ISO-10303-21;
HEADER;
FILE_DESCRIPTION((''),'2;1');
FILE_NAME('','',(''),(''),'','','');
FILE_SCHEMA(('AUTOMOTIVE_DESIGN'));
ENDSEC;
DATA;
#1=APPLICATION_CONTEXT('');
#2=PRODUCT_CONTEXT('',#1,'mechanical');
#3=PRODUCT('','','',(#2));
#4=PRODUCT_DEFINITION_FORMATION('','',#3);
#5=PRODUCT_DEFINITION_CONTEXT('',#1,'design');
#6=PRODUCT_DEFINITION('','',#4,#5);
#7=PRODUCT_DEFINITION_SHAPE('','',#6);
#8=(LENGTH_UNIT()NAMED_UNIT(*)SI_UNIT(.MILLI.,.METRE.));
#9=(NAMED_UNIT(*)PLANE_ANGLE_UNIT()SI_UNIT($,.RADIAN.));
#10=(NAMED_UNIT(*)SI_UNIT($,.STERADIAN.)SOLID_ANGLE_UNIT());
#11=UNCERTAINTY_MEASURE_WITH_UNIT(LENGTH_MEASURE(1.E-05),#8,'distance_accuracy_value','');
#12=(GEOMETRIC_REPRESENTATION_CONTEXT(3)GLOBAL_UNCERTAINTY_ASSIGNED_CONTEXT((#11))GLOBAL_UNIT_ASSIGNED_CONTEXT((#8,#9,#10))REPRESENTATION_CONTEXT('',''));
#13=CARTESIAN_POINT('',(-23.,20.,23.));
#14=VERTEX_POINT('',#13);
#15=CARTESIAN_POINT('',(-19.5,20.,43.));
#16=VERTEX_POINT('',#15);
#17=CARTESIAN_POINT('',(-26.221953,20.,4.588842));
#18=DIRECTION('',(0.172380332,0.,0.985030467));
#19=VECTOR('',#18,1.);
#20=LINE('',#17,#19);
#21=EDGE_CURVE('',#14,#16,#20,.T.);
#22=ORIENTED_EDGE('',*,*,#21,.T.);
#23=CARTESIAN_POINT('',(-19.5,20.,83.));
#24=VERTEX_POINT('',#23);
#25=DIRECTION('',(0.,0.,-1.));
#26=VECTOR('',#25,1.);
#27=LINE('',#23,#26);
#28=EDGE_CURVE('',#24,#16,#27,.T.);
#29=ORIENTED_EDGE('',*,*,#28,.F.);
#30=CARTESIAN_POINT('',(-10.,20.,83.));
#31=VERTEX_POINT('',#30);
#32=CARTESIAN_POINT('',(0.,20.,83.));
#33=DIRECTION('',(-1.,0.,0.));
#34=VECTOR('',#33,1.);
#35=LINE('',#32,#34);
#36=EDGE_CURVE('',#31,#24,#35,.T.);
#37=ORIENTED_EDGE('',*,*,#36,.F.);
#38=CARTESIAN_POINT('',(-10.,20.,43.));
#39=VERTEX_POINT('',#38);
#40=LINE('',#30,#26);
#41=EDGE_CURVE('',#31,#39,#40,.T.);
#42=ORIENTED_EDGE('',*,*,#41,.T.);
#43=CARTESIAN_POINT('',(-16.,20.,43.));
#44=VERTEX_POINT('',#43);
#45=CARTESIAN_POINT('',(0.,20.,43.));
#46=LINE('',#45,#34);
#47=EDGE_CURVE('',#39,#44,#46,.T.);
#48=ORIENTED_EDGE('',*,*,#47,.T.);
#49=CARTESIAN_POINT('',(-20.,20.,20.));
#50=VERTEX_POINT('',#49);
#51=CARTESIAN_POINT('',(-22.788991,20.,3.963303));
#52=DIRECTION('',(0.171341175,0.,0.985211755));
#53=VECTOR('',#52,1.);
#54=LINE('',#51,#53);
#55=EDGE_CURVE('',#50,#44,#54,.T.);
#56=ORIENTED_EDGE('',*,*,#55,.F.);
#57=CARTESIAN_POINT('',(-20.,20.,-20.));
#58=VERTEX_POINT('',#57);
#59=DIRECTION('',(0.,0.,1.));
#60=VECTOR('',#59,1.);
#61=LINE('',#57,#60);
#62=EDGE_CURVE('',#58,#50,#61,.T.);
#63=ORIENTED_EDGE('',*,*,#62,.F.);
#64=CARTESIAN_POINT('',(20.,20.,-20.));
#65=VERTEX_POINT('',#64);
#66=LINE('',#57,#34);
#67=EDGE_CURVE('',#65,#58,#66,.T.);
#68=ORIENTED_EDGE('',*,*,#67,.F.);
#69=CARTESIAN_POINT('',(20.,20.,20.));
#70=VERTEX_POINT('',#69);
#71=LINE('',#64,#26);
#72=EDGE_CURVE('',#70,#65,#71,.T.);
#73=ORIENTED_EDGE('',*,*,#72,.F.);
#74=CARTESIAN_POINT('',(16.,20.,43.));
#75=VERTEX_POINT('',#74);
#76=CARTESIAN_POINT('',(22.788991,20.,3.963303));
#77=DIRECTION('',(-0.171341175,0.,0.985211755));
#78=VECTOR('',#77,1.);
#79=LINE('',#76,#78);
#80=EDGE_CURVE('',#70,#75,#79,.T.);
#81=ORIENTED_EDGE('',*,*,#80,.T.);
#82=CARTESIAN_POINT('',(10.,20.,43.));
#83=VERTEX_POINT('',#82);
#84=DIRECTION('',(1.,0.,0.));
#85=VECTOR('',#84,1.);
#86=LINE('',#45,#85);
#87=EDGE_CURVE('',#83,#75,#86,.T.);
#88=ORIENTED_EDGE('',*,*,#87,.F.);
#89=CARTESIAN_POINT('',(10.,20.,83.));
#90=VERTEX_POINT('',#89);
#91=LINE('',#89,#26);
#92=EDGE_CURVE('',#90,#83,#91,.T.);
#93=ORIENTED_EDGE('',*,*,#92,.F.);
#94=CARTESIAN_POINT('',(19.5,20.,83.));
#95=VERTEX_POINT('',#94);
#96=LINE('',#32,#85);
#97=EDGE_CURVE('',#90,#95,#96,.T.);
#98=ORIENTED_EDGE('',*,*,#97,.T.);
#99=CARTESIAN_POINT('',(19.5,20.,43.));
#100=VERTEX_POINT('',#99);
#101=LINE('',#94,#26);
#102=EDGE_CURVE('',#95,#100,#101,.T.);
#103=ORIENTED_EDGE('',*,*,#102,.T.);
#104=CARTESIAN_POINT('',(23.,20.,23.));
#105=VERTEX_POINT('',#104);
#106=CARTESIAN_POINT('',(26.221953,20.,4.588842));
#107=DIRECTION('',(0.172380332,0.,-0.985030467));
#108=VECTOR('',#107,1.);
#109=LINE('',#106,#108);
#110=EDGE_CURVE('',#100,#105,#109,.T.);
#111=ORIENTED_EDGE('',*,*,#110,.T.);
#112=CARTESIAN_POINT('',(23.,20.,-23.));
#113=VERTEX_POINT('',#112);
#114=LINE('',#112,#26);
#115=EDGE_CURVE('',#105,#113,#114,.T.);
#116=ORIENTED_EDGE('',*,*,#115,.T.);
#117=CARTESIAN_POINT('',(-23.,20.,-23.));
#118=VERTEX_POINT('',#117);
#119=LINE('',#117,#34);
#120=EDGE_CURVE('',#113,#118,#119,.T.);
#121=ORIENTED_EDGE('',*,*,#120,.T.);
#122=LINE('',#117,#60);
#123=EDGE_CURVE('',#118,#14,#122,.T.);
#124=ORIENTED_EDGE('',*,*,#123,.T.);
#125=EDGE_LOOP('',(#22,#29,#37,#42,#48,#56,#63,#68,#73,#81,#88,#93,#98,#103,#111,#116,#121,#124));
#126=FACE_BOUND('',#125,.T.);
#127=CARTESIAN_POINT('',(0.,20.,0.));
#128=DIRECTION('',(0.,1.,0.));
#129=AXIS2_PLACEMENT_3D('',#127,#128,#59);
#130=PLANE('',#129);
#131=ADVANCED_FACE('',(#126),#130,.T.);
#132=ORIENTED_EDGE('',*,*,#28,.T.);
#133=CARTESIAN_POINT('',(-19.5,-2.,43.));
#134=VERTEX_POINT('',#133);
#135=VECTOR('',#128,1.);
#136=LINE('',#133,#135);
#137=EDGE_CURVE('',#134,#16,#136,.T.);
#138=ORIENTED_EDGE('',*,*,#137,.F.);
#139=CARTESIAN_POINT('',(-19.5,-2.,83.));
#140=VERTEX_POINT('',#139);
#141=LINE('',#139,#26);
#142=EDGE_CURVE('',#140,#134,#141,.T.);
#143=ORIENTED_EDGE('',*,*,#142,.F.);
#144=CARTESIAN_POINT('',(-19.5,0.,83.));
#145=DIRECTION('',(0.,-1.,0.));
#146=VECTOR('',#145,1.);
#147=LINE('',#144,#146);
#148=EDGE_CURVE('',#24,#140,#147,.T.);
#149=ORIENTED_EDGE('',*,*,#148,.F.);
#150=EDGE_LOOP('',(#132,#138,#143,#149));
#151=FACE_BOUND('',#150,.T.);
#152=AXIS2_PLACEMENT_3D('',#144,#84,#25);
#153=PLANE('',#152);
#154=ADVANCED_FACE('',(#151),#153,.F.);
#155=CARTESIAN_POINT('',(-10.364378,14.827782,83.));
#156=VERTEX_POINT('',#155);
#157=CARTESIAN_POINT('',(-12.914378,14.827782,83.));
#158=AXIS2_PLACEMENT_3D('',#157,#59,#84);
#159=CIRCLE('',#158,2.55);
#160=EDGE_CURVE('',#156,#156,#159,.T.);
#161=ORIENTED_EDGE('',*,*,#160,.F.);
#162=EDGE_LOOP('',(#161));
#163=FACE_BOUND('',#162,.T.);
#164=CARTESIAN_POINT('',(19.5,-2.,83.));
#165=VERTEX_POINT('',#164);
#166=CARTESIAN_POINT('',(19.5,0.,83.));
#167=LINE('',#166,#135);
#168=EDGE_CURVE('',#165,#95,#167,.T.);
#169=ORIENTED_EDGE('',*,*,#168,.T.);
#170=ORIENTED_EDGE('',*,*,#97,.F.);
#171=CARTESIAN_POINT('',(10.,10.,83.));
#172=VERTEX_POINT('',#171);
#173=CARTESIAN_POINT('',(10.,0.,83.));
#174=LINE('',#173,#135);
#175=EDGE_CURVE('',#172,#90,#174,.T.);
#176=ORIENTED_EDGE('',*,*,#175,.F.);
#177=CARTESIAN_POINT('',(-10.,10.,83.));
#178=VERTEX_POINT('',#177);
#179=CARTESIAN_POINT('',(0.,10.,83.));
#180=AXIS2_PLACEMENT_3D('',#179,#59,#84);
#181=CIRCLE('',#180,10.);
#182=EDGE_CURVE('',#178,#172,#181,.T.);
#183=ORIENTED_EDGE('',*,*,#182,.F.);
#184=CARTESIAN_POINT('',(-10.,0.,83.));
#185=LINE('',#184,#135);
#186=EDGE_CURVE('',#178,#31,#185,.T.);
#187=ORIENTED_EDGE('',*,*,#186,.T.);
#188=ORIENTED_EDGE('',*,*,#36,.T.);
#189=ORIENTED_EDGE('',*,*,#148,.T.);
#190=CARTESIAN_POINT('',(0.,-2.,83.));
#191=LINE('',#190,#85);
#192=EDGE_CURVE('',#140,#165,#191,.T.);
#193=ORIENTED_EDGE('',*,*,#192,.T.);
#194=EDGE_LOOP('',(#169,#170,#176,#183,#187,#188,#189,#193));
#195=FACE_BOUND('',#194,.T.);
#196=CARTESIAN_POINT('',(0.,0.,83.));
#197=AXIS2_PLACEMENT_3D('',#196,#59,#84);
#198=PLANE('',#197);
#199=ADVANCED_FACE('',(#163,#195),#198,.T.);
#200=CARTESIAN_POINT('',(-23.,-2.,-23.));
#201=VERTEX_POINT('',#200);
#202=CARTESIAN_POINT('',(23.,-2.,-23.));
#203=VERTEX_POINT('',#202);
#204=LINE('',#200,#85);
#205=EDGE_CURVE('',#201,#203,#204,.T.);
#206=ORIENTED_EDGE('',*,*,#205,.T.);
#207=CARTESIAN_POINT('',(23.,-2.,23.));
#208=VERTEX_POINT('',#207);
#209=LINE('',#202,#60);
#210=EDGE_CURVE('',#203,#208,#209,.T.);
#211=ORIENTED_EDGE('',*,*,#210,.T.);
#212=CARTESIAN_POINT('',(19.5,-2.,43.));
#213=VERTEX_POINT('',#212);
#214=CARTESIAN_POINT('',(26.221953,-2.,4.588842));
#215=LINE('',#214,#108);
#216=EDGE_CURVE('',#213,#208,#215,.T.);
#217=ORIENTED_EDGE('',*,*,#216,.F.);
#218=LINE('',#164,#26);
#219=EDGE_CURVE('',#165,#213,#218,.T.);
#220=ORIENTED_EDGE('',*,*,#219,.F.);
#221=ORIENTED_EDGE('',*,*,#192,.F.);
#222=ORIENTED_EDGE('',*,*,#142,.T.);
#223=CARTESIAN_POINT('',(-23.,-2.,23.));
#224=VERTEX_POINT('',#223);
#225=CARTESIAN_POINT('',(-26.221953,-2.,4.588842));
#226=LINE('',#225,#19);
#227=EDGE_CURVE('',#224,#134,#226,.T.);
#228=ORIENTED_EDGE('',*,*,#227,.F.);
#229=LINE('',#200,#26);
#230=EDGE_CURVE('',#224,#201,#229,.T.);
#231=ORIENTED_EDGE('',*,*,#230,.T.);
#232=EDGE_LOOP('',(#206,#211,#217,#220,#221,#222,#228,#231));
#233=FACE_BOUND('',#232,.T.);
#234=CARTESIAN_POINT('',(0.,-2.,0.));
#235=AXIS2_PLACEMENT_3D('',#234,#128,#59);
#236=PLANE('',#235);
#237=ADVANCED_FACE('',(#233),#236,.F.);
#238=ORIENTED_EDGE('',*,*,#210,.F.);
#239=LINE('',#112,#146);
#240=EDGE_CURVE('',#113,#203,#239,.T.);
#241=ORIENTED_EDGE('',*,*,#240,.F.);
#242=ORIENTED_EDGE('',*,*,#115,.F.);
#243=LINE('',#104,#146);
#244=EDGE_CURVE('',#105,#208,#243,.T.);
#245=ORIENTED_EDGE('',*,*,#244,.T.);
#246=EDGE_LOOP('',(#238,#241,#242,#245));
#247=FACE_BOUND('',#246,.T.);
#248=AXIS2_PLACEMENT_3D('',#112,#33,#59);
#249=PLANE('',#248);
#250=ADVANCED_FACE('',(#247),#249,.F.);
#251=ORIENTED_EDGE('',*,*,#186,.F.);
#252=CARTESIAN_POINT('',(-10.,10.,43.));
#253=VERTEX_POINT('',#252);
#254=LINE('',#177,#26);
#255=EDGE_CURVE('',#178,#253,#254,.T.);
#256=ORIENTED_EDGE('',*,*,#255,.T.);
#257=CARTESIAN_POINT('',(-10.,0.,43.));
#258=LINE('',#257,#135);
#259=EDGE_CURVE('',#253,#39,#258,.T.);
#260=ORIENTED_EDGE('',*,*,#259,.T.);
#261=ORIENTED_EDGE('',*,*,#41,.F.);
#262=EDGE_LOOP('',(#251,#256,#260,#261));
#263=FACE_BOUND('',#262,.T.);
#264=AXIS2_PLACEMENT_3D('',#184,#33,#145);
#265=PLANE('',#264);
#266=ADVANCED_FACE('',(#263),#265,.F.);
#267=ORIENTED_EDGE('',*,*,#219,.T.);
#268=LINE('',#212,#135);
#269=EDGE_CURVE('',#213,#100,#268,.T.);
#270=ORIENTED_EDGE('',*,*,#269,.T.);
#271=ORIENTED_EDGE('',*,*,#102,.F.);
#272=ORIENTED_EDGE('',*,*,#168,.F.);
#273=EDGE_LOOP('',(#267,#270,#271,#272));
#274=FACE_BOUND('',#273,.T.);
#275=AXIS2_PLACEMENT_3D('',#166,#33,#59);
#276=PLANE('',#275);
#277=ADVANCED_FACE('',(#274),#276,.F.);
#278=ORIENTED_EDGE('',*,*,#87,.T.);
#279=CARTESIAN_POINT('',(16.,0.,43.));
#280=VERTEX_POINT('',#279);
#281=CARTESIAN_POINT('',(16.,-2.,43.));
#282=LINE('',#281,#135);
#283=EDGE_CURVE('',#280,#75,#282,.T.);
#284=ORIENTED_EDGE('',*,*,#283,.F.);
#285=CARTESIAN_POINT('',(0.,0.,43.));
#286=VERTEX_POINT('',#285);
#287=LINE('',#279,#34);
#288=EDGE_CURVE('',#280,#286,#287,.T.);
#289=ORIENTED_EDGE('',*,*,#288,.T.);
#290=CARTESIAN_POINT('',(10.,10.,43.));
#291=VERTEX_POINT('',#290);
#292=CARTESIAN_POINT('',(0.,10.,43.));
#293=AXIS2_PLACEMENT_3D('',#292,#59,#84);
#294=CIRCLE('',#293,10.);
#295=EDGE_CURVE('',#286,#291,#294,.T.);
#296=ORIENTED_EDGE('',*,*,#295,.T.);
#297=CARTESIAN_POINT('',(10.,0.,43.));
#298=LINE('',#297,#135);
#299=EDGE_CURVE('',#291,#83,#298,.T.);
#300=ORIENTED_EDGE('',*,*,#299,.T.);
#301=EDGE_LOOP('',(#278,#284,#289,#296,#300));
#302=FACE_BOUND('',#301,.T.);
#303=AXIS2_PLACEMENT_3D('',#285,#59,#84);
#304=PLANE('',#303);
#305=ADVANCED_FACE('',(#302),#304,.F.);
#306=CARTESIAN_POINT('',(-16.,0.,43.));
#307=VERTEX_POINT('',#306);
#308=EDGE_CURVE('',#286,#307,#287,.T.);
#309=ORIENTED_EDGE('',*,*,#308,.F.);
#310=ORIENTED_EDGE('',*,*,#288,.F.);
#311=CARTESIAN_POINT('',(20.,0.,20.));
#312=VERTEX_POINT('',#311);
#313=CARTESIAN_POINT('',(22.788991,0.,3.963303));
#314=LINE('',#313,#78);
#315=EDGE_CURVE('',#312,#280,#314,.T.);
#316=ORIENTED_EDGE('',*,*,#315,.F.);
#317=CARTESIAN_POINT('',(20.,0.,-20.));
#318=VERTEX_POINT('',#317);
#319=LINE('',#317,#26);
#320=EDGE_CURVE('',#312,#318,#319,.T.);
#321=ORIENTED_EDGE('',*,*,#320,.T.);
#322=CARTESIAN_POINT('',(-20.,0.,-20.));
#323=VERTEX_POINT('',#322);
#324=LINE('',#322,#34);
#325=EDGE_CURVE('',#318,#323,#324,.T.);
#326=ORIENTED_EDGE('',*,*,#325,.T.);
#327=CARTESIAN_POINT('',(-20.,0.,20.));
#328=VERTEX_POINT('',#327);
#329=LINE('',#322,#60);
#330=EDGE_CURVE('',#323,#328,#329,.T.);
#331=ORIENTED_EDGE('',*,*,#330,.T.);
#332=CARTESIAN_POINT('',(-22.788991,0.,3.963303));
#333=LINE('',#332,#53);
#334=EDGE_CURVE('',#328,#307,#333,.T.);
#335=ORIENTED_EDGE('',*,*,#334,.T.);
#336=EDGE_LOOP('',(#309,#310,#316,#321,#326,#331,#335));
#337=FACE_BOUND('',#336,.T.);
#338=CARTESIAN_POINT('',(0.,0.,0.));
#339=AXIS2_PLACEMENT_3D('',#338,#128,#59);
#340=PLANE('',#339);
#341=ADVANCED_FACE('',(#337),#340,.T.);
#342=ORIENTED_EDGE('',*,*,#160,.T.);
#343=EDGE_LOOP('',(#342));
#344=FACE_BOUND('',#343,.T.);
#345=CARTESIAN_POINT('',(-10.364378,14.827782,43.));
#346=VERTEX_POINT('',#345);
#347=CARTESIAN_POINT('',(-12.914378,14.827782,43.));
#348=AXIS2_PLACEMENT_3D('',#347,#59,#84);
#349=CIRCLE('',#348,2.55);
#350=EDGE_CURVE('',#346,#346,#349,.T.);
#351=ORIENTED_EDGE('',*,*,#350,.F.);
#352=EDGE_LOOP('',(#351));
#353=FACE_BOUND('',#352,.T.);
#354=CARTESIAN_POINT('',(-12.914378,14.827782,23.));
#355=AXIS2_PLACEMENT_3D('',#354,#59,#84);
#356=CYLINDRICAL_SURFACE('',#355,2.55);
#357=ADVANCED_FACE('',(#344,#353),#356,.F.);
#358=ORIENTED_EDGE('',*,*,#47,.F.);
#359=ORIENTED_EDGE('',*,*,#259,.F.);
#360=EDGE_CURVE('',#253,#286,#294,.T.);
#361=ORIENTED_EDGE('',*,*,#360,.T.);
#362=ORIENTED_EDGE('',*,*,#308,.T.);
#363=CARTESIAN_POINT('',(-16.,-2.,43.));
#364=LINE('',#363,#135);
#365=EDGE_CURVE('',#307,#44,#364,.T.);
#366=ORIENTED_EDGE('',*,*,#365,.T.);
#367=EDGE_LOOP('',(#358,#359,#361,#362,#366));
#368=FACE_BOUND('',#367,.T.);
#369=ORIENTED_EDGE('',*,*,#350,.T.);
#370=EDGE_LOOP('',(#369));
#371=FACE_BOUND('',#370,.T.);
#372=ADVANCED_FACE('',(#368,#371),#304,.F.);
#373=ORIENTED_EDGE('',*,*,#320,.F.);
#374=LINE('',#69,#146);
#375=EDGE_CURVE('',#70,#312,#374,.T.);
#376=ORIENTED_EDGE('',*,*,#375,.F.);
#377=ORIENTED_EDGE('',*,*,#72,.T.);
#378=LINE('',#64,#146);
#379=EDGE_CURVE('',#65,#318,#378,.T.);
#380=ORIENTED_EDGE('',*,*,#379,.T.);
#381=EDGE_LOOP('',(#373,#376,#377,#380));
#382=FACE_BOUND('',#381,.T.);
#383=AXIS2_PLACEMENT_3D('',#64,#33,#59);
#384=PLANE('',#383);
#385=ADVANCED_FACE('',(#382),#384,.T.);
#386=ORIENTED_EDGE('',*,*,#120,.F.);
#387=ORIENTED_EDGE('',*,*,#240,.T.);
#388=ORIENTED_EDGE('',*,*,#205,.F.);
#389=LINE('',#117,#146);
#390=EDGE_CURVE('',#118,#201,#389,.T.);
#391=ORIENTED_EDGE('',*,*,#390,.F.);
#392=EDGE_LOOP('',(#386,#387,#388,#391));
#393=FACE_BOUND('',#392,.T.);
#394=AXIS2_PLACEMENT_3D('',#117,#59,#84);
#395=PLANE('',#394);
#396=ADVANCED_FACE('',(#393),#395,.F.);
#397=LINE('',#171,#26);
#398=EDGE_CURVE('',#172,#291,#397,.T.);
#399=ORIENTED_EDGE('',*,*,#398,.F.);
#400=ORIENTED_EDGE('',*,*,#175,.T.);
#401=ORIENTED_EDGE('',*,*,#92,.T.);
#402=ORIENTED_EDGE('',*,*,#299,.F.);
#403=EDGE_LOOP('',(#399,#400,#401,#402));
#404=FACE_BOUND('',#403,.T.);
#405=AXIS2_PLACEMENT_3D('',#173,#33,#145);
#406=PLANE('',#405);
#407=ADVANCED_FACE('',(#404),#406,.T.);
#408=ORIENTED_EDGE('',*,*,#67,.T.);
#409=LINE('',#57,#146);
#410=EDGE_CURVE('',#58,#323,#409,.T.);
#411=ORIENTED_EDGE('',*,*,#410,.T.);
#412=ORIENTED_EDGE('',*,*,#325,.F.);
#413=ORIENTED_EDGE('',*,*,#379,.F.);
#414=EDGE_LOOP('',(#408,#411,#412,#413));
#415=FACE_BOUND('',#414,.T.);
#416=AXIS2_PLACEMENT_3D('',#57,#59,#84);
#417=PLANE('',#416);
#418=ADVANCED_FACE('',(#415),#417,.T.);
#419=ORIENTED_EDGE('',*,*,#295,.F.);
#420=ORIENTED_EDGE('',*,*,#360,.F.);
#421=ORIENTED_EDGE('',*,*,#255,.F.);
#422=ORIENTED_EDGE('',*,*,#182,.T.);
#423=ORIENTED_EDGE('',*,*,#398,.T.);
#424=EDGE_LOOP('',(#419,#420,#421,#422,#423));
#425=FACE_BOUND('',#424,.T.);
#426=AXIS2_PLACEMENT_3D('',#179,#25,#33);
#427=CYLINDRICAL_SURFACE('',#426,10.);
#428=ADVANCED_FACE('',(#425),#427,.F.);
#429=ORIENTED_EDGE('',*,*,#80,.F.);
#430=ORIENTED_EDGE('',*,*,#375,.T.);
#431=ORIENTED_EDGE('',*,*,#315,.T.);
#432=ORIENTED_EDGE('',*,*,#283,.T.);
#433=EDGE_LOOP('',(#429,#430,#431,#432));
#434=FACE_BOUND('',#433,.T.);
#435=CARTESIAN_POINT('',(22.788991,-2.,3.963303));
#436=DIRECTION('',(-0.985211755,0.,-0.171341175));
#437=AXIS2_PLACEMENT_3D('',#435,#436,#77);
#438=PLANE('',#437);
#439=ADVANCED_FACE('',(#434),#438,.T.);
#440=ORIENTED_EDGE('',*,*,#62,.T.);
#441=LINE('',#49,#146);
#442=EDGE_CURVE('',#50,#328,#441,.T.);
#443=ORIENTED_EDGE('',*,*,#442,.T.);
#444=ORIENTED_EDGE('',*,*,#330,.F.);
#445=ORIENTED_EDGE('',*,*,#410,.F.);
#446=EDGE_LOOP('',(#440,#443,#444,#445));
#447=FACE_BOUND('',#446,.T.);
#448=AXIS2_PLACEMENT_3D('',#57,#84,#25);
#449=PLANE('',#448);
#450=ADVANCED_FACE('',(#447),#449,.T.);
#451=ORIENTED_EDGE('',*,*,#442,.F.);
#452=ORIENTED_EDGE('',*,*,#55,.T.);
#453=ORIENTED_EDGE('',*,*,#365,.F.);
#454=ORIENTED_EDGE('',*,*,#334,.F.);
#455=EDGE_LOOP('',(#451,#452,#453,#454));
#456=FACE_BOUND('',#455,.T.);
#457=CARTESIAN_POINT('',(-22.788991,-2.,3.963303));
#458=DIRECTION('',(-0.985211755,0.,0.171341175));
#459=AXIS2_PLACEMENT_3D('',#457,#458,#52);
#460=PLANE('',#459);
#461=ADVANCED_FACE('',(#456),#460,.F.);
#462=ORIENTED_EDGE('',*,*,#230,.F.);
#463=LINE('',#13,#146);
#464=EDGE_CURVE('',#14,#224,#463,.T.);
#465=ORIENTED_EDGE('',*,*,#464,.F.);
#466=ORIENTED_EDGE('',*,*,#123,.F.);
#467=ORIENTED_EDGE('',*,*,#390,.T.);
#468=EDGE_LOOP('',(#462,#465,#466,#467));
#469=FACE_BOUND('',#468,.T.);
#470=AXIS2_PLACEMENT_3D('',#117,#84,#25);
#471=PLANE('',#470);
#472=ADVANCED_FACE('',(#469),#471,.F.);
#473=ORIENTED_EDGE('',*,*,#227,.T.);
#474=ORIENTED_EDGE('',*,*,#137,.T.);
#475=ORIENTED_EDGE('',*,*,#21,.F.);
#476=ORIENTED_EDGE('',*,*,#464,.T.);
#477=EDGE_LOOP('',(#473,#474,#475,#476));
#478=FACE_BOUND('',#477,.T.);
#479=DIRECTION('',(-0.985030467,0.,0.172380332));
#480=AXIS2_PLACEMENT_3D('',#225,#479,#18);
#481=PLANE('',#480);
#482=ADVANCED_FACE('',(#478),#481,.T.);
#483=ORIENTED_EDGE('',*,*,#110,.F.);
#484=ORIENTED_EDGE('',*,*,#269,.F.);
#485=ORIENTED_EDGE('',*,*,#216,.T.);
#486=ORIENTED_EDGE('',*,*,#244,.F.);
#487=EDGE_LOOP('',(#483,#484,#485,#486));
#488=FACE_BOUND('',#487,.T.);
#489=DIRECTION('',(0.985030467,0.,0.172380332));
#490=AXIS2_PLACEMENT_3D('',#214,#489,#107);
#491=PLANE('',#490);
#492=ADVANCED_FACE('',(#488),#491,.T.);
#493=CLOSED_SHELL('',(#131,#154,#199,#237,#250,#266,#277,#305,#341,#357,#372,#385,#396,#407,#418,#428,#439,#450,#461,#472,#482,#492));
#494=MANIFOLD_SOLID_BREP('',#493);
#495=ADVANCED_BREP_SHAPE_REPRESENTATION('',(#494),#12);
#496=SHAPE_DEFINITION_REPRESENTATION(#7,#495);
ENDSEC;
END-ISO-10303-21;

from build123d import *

# Parameters (mm, degrees)
SKETCH1_W           = 46
SKETCH1_H           = 46
SKETCH1_W_2         = 40
SKETCH1_H_2         = 40
BOSS_EXTRUDE1_DEPTH = 20
SKETCH2_W           = 46
SKETCH2_H           = 46
BOSS_EXTRUDE2_DEPTH = 2
BOSS_EXTRUDE3_DEPTH = 22
CUT_EXTRUDE1_DEPTH  = 20
BOSS_EXTRUDE5_DEPTH = 2
BOSS_EXTRUDE6_DEPTH = 40
SKETCH8_R           = 2.55
CUT_EXTRUDE2_DEPTH  = 60
SKETCH9_W           = 1
SKETCH9_H           = 20
BOSS_EXTRUDE7_DEPTH = 40


with BuildPart() as part:
    # Sketch1 → Boss-Extrude1 (new body)
    with BuildSketch(Plane(origin=(0, 0, 0), x_dir=(1, 0, 0), z_dir=(0, 1, 0))):
        Rectangle(SKETCH1_W, SKETCH1_H)
        Rectangle(SKETCH1_W_2, SKETCH1_H_2, mode=Mode.SUBTRACT)
    extrude(amount=BOSS_EXTRUDE1_DEPTH)

    # Sketch2 → Boss-Extrude2 (add)
    with BuildSketch(Plane.XZ):
        Rectangle(SKETCH2_W, SKETCH2_H)
    extrude(amount=BOSS_EXTRUDE2_DEPTH)

    # Sketch3 → Boss-Extrude3 (add)
    with BuildSketch(Plane(origin=(0, 20, 0), x_dir=(1, 0, 0), z_dir=(0, 1, 0))):
        Polygon((-16, -43), (-19.47826087, -23), (-23, -23), (-19.5, -43), align=None)
        Polygon((23, -23), (19.47826087, -23), (16, -43), (19.5, -43), align=None)
    extrude(amount=-BOSS_EXTRUDE3_DEPTH)

    # Sketch3<3> → Cut-Extrude1 (cut)
    with BuildSketch(Plane(origin=(0, 20, 0), x_dir=(1, 0, 0), z_dir=(0, 1, 0))):
        Polygon((20, -20), (-20, -20), (-19.47826087, -23), (19.47826087, -23), align=None)
    extrude(amount=-CUT_EXTRUDE1_DEPTH, mode=Mode.SUBTRACT)

    # Sketch5 → Boss-Extrude5 (add)
    with BuildSketch(Plane.XZ.offset(2)):
        Polygon((-16, 43), (-19.47826087, 23), (19.47826087, 23), (16, 43), align=None)
    extrude(amount=-BOSS_EXTRUDE5_DEPTH)

    # Sketch6 → Boss-Extrude6 (add)
    with BuildSketch(Plane.XY.offset(43)):
        with BuildLine():
            Line((-10, 20), (-15, 20))
            Line((-15, 20), (-15, 0))
            Line((-15, 0), (-16, 0))
            Line((-16, 0), (-16, 20))
            Line((-16, 20), (-19.5, 20))
            Line((-19.5, 20), (-19.5, -2))
            Line((-19.5, -2), (19.5, -2))
            Line((19.5, -2), (19.5, 20))
            Line((19.5, 20), (16, 20))
            Line((16, 20), (16, 0))
            Line((16, 0), (15, 0))
            Line((15, 0), (15, 20))
            Line((15, 20), (10, 20))
            Line((10, 20), (10, 10))
            ThreePointArc((10, 10), (0, 0), (-10, 10))
            Line((-10, 10), (-10, 20))
        make_face()
    extrude(amount=BOSS_EXTRUDE6_DEPTH)

    # Sketch8 → Cut-Extrude2 (cut)
    with BuildSketch(Plane.XY.offset(83)):
        with Locations((-12.914377538, 14.827782421)):
            Circle(SKETCH8_R)
    extrude(amount=-CUT_EXTRUDE2_DEPTH, mode=Mode.SUBTRACT)

    # Sketch9 → Boss-Extrude7 (add)
    with BuildSketch(Plane.XY.offset(83)):
        with Locations((15.5, 10)):
            Rectangle(SKETCH9_W, SKETCH9_H)
        with BuildLine():
            Line((-15, 16.294983479), (-15, 20))
            Line((-15, 20), (-16, 20))
            Line((-16, 20), (-16, 0))
            Line((-16, 0), (-15, 0))
            Line((-15, 0), (-15, 13.360581363))
            ThreePointArc((-15, 13.360581363), (-15.464377538, 14.827782421), (-15, 16.294983479))
        make_face()
    extrude(amount=-BOSS_EXTRUDE7_DEPTH)


solid = part.part
